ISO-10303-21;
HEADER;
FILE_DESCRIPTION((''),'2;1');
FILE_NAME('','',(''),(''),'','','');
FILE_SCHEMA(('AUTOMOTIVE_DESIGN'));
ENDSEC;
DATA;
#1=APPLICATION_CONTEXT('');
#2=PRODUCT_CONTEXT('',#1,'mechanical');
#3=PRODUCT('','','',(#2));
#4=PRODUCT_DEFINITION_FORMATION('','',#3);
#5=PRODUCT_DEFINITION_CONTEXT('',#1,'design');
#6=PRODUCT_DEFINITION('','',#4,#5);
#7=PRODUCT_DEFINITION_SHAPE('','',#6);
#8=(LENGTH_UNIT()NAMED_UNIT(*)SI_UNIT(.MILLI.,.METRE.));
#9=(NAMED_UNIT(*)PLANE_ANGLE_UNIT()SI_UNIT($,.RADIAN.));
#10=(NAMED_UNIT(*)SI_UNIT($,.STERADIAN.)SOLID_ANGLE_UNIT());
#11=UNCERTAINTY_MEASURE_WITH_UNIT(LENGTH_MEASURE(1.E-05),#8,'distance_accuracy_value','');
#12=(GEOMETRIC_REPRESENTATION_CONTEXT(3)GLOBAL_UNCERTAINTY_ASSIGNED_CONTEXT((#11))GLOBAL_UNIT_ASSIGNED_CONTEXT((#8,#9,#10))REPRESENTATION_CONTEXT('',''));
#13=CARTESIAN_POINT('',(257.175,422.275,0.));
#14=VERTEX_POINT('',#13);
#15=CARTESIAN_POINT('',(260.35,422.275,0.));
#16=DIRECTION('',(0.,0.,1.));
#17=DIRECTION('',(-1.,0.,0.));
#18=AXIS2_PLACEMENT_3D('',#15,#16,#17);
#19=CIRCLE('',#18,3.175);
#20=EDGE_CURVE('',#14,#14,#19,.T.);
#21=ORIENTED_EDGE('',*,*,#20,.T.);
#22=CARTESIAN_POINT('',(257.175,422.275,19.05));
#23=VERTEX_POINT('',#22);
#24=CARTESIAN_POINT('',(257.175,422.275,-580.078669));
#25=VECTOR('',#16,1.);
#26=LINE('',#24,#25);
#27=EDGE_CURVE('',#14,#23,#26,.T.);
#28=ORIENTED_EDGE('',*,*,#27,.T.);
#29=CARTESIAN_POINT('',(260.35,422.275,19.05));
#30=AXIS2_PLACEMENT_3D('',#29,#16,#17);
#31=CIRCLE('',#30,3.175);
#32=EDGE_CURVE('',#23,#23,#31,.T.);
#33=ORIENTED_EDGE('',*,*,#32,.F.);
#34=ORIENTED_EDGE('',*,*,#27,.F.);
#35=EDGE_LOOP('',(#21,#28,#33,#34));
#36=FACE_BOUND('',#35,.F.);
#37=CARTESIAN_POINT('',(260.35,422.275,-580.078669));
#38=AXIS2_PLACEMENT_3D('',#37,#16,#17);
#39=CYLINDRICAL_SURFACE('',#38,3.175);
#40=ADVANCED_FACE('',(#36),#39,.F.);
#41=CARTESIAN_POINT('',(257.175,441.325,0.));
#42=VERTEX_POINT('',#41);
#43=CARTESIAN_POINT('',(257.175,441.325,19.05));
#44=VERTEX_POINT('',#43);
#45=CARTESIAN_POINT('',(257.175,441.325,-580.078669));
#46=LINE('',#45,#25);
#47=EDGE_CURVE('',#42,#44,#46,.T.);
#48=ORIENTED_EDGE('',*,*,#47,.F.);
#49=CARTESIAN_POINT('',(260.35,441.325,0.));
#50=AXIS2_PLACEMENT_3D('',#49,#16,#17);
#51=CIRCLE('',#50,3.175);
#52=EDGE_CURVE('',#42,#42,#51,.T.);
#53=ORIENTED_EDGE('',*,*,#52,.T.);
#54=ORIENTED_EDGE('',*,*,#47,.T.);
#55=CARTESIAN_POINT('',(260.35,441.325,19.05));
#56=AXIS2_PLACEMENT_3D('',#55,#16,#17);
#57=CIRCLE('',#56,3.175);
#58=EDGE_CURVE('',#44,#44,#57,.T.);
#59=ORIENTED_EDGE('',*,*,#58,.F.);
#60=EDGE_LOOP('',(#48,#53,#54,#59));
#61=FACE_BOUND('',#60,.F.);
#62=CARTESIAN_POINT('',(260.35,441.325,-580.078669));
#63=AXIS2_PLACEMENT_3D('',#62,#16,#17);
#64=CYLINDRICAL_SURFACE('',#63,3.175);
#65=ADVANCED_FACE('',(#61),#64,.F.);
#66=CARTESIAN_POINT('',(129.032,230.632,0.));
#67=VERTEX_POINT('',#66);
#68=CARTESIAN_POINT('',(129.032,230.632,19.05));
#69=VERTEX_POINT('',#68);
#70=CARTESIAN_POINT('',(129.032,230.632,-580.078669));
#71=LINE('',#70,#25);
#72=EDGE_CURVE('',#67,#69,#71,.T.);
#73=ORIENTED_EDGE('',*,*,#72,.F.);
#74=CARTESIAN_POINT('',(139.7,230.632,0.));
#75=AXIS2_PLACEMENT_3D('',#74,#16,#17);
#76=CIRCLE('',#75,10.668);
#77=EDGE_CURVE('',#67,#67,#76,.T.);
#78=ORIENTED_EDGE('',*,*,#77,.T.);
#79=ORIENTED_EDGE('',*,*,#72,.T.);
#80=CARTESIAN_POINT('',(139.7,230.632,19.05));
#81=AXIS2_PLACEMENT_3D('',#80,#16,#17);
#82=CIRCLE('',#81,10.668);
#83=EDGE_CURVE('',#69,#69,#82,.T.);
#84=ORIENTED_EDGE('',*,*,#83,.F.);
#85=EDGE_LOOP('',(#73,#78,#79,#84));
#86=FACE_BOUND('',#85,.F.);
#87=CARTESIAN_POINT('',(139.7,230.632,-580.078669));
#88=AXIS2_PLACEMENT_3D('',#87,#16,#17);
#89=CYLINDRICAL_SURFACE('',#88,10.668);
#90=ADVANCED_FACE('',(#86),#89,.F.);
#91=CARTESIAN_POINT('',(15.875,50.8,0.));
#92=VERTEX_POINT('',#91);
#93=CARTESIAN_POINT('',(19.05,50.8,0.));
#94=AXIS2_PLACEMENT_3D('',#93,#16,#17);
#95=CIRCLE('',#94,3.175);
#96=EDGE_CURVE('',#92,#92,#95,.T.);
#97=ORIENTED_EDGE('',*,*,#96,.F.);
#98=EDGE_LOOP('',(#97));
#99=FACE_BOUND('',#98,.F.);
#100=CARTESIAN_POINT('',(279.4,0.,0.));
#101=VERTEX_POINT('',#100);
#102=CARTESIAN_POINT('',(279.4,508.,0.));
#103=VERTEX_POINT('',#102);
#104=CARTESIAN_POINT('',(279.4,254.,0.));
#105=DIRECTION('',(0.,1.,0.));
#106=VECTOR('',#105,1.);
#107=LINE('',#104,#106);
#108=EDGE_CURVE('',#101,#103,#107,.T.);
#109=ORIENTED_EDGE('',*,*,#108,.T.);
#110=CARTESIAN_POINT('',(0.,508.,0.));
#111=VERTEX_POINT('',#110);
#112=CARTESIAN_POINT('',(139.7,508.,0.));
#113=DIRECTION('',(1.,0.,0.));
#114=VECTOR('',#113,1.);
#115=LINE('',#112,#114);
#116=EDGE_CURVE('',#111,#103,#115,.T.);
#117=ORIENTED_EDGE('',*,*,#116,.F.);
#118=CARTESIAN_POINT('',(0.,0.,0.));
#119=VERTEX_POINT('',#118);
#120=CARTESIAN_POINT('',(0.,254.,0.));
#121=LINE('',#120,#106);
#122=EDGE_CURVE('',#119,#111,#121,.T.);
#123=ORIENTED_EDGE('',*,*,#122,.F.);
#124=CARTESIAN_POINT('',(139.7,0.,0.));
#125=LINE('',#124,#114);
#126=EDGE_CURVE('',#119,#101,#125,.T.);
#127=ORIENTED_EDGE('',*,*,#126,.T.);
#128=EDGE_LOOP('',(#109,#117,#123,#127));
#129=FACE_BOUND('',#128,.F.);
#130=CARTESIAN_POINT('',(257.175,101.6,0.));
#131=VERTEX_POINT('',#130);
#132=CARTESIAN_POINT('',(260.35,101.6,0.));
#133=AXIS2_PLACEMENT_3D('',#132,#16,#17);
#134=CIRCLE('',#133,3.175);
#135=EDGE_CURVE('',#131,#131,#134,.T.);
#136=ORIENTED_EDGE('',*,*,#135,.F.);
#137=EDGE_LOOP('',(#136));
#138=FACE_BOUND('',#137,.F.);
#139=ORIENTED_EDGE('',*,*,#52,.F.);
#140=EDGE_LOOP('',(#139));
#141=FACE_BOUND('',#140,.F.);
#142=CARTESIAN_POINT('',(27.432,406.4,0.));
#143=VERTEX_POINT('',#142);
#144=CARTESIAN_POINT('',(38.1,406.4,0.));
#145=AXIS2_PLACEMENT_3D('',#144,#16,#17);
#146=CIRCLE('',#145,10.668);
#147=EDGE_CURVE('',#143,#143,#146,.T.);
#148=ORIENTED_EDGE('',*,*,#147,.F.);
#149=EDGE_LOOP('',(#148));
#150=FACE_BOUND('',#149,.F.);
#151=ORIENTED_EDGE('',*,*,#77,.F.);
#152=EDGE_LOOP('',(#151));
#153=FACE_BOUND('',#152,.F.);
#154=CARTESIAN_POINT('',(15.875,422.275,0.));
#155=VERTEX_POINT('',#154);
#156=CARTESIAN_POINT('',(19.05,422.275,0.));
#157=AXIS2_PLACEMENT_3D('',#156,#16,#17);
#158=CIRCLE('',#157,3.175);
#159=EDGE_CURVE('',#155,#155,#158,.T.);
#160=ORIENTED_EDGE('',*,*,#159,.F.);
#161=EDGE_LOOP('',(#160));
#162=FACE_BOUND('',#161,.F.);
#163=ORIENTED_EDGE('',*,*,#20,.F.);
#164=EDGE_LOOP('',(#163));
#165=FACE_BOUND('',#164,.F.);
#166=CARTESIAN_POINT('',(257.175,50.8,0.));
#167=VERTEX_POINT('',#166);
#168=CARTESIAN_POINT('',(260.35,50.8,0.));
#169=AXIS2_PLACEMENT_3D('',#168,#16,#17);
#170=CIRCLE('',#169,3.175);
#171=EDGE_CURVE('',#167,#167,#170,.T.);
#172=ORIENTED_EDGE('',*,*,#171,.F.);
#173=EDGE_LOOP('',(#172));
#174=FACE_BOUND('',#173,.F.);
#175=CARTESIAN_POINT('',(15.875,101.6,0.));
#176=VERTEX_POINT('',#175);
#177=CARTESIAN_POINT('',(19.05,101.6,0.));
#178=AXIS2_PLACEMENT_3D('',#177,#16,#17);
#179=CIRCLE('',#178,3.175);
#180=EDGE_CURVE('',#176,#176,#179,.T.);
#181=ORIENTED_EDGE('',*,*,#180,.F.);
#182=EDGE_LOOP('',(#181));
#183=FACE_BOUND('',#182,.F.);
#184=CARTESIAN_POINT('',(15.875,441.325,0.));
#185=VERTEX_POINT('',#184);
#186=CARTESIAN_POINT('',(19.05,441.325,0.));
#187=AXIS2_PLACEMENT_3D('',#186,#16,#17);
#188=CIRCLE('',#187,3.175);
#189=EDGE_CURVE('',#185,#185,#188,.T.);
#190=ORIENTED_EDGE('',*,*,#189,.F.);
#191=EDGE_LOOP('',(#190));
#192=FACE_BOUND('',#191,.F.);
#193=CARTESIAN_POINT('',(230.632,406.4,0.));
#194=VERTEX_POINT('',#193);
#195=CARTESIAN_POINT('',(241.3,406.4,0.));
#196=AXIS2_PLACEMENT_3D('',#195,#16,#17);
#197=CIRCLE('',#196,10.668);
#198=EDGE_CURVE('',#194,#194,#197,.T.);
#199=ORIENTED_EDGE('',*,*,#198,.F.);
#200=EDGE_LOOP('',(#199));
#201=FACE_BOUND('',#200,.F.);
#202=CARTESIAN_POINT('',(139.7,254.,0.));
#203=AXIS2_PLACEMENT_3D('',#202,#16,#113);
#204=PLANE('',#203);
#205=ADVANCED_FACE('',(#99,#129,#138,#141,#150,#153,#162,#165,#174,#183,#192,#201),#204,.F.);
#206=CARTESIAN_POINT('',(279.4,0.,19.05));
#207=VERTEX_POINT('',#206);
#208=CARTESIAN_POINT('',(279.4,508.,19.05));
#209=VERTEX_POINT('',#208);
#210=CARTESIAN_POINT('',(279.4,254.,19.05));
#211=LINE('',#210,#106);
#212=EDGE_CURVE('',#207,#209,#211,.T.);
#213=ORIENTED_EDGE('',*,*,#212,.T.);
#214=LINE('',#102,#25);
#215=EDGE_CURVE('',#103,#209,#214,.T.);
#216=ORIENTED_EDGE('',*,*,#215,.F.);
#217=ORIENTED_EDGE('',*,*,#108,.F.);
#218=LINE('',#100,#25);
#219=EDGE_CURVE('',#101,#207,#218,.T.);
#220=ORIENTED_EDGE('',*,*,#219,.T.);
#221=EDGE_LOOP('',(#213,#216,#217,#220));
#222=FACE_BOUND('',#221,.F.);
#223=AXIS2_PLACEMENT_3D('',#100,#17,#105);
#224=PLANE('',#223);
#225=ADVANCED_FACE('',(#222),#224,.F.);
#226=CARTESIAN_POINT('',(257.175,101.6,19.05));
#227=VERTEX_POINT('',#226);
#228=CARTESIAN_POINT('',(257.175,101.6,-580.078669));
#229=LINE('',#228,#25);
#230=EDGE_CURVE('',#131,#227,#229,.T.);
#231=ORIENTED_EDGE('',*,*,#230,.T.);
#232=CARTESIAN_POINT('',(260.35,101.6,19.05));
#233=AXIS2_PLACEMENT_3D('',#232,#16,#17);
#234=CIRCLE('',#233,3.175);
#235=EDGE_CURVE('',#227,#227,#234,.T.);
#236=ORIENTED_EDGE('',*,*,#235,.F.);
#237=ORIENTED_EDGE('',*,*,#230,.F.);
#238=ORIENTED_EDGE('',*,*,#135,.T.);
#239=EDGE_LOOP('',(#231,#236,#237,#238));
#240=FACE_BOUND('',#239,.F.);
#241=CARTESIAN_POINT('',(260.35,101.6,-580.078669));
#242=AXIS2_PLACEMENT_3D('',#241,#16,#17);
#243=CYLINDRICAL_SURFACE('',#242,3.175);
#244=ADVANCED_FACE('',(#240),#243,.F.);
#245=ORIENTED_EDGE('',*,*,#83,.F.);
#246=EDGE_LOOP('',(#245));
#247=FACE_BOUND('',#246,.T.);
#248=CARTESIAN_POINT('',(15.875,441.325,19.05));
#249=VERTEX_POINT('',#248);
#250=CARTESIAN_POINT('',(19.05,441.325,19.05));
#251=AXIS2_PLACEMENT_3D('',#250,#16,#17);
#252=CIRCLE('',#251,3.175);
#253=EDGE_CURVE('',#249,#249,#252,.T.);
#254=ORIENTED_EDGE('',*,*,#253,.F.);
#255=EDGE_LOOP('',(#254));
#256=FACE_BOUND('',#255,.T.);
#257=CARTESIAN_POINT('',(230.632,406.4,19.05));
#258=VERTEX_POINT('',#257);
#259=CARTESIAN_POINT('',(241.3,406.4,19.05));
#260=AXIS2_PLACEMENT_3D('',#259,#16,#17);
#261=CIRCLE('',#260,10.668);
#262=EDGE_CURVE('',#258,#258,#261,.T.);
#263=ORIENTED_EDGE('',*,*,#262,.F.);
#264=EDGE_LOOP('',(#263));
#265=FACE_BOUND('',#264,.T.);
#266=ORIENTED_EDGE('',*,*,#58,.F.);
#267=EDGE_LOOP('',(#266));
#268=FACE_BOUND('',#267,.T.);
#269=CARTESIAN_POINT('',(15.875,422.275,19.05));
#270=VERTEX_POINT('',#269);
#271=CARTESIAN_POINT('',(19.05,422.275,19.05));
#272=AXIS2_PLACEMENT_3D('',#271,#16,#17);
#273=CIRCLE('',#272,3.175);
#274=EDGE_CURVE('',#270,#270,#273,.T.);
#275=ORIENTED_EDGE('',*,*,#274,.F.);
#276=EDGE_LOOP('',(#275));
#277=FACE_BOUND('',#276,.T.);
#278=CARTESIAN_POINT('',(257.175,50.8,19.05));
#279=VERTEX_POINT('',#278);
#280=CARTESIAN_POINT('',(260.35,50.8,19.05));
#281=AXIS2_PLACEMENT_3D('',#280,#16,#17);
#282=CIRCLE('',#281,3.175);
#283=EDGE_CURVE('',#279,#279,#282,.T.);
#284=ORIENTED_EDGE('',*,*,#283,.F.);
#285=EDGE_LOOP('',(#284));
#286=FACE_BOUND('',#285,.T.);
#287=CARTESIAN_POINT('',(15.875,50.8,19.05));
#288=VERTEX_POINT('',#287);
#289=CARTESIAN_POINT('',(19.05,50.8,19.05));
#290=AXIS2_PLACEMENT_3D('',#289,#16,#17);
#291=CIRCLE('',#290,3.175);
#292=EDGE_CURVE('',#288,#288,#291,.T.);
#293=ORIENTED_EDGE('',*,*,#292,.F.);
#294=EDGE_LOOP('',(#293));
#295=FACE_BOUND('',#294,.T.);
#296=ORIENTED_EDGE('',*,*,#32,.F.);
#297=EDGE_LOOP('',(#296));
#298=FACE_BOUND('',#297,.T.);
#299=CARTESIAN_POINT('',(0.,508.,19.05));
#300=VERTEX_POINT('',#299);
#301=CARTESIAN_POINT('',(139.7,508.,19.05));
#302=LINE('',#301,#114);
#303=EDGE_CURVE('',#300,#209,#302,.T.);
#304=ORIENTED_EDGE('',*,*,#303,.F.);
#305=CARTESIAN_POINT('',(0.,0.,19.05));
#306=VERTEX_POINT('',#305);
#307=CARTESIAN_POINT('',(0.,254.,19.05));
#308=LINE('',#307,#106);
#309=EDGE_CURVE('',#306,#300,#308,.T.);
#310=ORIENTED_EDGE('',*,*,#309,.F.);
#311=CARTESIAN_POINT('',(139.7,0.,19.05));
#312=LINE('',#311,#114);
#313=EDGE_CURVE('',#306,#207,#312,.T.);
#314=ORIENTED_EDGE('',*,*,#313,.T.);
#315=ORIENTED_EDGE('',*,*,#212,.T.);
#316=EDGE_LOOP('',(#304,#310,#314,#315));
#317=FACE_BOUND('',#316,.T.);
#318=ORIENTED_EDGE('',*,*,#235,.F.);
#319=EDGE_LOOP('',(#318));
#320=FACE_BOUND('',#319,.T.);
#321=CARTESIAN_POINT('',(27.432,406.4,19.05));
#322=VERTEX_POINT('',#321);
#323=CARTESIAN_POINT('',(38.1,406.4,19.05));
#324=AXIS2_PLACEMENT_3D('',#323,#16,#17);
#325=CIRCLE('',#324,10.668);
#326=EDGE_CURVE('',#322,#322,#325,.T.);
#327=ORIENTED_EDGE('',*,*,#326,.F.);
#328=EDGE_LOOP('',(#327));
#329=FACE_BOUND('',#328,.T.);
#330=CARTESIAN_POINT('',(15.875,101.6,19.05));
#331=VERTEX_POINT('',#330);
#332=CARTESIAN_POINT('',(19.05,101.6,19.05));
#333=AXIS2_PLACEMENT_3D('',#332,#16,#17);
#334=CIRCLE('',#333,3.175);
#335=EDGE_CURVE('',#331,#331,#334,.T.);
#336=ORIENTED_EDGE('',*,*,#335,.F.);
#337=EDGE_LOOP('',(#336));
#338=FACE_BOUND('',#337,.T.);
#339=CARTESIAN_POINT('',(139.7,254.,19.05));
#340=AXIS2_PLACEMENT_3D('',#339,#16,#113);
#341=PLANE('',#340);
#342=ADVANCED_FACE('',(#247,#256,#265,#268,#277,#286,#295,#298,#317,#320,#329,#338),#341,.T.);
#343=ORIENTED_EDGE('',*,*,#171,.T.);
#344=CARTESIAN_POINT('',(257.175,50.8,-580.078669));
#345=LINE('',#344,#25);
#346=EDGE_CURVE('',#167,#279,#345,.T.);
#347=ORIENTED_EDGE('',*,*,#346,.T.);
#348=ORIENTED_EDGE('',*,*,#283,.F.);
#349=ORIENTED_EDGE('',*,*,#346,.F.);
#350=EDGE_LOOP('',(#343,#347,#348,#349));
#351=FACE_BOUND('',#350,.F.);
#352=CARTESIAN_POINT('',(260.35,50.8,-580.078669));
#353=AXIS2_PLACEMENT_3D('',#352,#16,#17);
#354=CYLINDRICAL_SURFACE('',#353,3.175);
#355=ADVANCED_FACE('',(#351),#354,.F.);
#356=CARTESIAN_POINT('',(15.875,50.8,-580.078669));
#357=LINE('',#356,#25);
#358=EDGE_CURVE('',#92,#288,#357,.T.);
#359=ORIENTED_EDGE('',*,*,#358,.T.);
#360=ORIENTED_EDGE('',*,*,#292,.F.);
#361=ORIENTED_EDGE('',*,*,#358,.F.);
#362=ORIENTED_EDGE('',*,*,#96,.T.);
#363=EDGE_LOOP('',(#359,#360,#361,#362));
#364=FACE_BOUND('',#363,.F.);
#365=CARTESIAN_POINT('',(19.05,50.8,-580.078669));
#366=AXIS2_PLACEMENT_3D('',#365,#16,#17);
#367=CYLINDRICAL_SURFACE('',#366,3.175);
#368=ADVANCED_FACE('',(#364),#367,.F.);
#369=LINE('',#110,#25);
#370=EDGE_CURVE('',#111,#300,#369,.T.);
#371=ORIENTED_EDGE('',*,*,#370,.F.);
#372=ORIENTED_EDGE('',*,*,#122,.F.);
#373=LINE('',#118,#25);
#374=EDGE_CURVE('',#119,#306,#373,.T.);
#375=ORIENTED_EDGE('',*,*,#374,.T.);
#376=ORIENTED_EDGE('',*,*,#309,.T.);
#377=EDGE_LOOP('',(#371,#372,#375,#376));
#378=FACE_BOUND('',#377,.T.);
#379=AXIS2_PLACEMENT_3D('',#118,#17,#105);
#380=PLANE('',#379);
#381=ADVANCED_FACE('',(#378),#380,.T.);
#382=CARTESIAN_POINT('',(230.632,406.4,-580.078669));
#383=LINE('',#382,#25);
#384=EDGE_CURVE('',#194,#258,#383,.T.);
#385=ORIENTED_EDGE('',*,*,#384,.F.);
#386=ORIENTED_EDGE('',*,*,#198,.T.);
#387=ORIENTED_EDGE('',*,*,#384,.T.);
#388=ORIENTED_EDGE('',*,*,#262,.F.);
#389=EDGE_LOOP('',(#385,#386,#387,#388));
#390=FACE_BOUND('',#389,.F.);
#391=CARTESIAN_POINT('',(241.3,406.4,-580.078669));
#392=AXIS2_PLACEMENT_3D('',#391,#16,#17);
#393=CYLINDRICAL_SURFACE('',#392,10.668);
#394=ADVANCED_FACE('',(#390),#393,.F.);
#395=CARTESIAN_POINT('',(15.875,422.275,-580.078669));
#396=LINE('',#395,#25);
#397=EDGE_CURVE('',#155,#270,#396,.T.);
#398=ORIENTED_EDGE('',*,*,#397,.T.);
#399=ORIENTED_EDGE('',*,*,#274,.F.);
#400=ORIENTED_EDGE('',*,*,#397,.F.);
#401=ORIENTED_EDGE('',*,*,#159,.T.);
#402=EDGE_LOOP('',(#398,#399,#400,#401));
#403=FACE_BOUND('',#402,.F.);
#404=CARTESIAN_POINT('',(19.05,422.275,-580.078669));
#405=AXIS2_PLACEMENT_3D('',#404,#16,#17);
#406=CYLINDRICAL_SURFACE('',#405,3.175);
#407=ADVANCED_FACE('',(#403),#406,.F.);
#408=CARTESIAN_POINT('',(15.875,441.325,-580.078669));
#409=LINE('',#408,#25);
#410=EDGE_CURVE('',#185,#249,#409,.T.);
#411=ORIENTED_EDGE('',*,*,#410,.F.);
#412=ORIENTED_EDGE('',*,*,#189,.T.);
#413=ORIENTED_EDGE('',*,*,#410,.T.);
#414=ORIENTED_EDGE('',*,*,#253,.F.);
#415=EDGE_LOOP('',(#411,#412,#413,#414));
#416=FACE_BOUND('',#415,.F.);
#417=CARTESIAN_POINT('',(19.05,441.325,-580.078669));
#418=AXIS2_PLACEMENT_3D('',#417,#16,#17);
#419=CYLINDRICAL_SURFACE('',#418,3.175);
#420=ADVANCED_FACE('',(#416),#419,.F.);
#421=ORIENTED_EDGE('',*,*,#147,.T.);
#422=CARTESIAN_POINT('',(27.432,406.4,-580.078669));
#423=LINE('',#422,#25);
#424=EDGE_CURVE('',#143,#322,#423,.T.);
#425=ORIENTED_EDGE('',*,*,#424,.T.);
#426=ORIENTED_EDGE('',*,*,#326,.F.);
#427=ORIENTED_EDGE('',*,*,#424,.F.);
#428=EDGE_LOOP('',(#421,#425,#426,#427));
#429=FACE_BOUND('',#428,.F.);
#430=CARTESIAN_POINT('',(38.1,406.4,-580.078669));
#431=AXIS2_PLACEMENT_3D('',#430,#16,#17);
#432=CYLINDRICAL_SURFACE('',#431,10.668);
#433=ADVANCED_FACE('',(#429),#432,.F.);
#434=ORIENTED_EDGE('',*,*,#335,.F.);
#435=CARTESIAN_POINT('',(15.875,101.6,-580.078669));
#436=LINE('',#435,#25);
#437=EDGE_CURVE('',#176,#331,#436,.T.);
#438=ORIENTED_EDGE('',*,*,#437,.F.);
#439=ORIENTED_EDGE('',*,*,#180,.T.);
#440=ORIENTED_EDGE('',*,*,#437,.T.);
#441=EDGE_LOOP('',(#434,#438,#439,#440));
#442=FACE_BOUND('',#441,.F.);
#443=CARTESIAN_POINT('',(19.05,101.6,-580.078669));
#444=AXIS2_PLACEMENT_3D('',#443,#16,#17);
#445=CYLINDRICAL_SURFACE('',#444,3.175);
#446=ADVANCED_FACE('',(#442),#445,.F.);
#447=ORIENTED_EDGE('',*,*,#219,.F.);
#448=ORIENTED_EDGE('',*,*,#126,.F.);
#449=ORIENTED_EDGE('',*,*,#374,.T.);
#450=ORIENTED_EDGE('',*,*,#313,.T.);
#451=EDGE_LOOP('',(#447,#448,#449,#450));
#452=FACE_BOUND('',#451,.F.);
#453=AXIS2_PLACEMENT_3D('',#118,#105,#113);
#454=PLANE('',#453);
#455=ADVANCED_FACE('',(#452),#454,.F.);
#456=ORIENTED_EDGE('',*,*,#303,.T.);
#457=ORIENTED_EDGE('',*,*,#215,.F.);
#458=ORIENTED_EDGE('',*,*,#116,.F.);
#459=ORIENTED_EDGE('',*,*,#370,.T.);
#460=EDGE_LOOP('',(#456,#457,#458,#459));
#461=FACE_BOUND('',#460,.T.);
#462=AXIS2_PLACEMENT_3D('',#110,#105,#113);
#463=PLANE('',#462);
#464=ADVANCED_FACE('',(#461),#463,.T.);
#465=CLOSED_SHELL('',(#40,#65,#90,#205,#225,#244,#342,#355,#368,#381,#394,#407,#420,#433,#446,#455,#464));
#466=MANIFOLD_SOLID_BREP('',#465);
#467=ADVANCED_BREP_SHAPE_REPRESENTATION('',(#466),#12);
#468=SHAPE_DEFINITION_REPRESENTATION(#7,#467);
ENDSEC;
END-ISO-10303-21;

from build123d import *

# Parameters (mm, degrees)
F0_W     = 279.4
F0_H     = 508
F1_DEPTH = 19.05
F2_D     = 6.35
F3_D     = 6.35
F4_D     = 21.336


with BuildPart() as f1:
    # F0 (on Top) → F1 (new body)
    with BuildSketch(Plane.XY):
        with Locations((139.7, 254)):
            Rectangle(F0_W, F0_H)
    extrude(amount=F1_DEPTH)

    # F2 (through all)
    with Locations(Plane(origin=(0, 0, 0), x_dir=(1, 0, 0), z_dir=(0, 0, -1))):
        with Locations((19.05, -101.6), (260.35, -101.6), (260.35, -50.8), (19.05, -50.8)):
            Hole(F2_D / 2)

    # F3 (through all)
    with Locations(Plane(origin=(0, 0, 0), x_dir=(1, 0, 0), z_dir=(0, 0, -1))):
        with Locations((19.05, -441.325), (19.05, -422.275), (260.35, -422.275), (260.35, -441.325)):
            Hole(F3_D / 2)

    # F4 (through all)
    with Locations(Plane(origin=(0, 0, 0), x_dir=(1, 0, 0), z_dir=(0, 0, -1))):
        with Locations((38.1, -406.4), (241.3, -406.4), (139.7, -230.632)):
            Hole(F4_D / 2)


solid = f1.part
